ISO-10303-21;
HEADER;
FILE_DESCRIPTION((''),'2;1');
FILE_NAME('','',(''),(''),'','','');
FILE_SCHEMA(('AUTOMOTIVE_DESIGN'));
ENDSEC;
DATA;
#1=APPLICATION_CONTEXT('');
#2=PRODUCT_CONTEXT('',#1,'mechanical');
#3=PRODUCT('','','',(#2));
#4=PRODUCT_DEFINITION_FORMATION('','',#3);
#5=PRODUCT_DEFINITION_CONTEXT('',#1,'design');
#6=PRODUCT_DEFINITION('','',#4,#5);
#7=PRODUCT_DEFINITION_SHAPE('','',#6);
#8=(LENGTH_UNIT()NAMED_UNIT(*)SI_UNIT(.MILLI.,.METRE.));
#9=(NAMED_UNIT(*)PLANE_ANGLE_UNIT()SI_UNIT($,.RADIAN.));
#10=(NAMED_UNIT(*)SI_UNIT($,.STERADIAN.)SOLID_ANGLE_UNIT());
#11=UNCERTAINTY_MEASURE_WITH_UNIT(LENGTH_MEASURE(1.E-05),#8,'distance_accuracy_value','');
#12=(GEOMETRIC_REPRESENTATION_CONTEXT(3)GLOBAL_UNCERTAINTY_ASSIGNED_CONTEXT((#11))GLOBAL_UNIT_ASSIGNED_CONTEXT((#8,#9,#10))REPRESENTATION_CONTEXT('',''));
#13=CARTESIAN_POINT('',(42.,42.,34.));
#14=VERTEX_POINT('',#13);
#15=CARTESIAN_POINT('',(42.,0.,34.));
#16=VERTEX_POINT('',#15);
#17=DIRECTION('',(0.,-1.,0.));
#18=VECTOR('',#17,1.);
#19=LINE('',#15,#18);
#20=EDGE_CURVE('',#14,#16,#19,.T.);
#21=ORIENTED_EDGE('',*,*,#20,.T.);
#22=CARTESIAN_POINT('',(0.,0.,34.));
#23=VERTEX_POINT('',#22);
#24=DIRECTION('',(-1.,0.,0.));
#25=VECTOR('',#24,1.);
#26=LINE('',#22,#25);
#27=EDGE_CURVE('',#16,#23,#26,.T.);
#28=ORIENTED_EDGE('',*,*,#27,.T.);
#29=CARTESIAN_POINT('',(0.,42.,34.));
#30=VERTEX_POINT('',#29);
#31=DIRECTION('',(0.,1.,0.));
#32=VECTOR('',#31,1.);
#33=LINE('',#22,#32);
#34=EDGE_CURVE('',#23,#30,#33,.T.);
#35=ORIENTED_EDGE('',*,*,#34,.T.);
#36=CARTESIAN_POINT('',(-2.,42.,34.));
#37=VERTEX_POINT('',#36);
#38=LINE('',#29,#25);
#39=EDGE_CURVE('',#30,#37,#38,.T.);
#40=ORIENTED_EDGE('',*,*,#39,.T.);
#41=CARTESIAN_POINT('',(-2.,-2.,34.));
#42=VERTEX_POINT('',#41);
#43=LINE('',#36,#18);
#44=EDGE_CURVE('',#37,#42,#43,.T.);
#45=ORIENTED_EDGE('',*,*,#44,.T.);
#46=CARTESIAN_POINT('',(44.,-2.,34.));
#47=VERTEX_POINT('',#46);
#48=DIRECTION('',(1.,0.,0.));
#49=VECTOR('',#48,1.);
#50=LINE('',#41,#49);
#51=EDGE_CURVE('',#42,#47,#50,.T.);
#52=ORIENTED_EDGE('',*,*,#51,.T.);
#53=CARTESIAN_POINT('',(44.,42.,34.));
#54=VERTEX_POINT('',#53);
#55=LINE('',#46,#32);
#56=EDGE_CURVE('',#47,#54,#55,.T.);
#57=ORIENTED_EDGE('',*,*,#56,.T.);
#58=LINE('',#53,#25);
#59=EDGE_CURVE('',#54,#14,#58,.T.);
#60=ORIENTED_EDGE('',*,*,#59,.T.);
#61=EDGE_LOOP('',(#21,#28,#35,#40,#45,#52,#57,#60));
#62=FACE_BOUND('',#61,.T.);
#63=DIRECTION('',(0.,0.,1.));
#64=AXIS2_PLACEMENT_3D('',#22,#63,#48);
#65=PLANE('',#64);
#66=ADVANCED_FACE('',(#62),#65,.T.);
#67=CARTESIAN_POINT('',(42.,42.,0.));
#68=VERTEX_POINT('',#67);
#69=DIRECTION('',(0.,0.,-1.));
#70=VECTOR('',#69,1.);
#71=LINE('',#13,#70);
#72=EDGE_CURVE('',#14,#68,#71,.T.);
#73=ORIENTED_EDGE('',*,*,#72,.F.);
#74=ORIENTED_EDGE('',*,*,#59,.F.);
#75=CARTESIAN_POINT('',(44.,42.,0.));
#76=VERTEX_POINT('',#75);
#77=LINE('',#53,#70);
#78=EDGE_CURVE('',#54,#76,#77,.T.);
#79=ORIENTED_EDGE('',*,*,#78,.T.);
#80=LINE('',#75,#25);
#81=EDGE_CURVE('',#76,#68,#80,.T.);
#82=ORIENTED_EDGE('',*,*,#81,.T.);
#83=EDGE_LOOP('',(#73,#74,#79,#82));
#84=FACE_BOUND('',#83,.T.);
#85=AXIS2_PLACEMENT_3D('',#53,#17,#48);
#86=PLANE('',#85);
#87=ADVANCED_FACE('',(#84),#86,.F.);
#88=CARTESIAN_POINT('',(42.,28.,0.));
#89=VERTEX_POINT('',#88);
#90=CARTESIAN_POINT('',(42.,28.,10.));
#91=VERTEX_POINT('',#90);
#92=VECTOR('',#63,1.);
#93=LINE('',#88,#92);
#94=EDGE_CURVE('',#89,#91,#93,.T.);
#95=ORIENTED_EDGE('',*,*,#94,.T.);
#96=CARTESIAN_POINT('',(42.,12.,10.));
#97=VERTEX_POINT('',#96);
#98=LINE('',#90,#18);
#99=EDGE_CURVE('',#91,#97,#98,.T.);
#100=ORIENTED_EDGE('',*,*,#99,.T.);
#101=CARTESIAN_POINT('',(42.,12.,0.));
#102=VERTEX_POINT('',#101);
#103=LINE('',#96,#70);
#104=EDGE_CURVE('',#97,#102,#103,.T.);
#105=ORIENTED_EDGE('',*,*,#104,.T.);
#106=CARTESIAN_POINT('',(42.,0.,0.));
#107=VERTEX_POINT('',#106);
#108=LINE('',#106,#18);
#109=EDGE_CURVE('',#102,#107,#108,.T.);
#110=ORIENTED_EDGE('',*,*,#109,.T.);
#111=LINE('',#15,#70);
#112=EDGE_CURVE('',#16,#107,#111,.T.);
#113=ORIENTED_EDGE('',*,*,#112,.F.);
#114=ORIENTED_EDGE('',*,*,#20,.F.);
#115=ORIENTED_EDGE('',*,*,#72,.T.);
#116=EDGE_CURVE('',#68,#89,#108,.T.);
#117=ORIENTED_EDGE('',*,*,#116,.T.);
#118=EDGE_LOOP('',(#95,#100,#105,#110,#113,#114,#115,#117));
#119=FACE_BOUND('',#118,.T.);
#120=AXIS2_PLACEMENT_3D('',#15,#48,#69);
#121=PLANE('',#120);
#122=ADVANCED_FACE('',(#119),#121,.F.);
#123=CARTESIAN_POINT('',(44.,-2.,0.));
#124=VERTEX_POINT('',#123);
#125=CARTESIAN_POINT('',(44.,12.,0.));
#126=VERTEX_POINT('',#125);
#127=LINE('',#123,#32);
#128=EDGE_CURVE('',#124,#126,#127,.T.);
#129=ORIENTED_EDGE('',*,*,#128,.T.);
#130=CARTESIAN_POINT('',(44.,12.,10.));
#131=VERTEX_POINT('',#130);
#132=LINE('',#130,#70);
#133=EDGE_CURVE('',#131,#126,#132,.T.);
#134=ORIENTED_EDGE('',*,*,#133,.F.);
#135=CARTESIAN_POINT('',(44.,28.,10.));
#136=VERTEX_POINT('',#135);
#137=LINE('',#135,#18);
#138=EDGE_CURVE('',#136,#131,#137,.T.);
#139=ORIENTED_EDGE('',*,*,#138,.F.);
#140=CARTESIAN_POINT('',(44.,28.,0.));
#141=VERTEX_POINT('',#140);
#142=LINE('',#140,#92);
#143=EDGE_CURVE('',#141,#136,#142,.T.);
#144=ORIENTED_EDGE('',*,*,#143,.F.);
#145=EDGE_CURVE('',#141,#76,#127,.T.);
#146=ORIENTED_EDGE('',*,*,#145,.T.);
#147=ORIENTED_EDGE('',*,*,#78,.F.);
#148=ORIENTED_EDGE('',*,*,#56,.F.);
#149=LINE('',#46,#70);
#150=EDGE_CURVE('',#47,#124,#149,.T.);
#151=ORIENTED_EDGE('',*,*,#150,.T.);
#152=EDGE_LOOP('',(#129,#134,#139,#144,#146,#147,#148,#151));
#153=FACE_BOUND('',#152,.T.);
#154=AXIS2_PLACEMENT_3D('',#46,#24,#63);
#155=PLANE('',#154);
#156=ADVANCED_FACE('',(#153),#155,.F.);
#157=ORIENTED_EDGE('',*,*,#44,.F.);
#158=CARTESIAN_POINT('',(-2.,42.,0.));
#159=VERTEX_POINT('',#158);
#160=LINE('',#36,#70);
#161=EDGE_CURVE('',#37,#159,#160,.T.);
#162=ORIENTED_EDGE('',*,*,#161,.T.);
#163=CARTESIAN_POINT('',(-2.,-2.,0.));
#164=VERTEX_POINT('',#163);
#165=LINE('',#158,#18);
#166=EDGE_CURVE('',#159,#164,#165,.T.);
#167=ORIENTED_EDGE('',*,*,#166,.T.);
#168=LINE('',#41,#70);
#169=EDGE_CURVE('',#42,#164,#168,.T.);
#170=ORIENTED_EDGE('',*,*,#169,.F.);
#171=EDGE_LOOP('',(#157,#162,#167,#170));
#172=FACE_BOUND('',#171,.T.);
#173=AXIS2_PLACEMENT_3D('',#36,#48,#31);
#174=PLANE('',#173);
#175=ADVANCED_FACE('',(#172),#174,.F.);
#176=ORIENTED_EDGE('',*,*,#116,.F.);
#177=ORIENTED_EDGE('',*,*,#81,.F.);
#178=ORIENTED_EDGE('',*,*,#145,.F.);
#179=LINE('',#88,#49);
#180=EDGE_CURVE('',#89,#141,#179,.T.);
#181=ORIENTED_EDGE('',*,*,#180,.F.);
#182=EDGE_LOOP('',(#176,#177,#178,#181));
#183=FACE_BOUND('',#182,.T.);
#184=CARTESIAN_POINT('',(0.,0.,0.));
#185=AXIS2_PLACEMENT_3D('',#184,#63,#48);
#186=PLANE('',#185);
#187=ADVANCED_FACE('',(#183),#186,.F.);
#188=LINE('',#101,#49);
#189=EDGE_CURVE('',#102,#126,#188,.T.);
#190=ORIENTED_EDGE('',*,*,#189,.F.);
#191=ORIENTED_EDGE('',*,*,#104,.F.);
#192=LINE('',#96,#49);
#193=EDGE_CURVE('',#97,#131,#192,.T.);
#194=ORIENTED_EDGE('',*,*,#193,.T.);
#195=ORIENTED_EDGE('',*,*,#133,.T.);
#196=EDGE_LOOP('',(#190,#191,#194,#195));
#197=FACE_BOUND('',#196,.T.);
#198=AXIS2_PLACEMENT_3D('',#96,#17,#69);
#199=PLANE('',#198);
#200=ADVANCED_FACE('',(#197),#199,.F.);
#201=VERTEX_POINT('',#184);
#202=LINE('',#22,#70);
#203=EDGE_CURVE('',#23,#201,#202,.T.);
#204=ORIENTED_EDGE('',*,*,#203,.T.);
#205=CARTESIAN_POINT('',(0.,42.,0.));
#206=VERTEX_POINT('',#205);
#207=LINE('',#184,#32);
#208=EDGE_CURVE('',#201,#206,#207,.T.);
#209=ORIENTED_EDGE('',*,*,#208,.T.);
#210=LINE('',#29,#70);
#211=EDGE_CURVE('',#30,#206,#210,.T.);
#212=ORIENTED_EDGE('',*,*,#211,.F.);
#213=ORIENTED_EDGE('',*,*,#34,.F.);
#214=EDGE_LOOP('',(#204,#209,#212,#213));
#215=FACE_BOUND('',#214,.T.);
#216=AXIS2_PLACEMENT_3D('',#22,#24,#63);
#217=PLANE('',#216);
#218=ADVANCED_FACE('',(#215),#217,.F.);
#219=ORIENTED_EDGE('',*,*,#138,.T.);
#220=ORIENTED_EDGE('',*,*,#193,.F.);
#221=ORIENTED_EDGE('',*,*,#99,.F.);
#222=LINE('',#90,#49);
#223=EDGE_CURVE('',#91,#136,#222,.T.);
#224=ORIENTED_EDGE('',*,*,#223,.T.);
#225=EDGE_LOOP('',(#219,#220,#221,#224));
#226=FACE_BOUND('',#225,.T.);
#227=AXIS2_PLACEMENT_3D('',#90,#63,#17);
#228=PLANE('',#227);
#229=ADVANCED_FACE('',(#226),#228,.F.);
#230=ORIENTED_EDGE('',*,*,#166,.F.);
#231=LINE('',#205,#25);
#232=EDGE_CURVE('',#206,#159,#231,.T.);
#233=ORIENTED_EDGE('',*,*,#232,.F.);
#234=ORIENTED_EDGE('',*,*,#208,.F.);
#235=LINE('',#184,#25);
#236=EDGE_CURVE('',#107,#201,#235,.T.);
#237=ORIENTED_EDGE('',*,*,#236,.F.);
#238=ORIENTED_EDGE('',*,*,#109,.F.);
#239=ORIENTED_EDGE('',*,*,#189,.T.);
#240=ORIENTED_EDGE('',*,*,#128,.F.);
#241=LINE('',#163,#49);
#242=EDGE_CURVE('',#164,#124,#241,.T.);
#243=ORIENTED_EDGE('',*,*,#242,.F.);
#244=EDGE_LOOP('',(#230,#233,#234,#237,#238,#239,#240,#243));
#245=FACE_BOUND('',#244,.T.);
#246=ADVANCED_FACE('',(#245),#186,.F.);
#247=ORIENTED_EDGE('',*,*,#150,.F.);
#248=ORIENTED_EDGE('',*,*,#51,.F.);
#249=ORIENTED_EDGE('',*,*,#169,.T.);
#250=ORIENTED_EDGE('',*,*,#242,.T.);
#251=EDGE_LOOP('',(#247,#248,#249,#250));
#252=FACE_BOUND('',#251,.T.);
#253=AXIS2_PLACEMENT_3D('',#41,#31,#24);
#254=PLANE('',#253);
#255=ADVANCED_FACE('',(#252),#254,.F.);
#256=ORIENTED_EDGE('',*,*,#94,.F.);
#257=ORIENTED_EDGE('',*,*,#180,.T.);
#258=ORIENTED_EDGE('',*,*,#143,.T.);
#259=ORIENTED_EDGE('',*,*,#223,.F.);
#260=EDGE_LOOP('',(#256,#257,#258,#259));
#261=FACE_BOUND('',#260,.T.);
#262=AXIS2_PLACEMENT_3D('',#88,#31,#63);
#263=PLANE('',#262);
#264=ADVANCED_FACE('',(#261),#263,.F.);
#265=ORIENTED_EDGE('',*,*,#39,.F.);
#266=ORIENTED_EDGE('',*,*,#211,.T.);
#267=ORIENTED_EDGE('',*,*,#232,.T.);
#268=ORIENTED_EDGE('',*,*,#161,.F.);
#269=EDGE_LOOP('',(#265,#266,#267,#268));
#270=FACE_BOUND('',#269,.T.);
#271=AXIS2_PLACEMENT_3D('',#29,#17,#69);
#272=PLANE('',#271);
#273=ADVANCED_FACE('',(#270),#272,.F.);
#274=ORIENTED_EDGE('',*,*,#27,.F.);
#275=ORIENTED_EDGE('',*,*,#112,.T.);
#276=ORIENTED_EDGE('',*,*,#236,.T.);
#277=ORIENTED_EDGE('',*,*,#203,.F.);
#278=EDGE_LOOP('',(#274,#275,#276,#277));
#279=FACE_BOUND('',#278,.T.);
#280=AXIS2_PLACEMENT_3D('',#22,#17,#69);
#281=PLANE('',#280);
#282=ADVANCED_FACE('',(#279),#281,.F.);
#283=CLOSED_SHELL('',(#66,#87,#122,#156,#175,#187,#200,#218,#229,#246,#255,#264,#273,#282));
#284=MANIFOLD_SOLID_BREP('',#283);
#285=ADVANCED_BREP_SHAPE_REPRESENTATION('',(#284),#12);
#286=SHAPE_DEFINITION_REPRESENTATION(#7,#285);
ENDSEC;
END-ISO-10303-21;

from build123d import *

# Parameters (mm, degrees)
EXTRUDE_1_DEPTH     = 34
SKETCH_2_W          = 10
SKETCH_2_H          = 16
CUT_EXTRUDE_1_DEPTH = 2


with BuildPart() as part:
    # 草图1 → 凸台-拉伸1 (new body)
    with BuildSketch(Plane.XY):
        Polygon((0, 42), (-2, 42), (-2, -2), (44, -2), (44, 42), (42, 42), (42, 0), (0, 0), align=None)
    extrude(amount=EXTRUDE_1_DEPTH)

    # 草图2 → 切除-拉伸1 (cut)
    with BuildSketch(Plane(origin=(44, 0, 0), x_dir=(0, 0, -1), z_dir=(1, 0, 0))):
        with Locations((-5, 20)):
            Rectangle(SKETCH_2_W, SKETCH_2_H)
    extrude(amount=-CUT_EXTRUDE_1_DEPTH, mode=Mode.SUBTRACT)


solid = part.part
